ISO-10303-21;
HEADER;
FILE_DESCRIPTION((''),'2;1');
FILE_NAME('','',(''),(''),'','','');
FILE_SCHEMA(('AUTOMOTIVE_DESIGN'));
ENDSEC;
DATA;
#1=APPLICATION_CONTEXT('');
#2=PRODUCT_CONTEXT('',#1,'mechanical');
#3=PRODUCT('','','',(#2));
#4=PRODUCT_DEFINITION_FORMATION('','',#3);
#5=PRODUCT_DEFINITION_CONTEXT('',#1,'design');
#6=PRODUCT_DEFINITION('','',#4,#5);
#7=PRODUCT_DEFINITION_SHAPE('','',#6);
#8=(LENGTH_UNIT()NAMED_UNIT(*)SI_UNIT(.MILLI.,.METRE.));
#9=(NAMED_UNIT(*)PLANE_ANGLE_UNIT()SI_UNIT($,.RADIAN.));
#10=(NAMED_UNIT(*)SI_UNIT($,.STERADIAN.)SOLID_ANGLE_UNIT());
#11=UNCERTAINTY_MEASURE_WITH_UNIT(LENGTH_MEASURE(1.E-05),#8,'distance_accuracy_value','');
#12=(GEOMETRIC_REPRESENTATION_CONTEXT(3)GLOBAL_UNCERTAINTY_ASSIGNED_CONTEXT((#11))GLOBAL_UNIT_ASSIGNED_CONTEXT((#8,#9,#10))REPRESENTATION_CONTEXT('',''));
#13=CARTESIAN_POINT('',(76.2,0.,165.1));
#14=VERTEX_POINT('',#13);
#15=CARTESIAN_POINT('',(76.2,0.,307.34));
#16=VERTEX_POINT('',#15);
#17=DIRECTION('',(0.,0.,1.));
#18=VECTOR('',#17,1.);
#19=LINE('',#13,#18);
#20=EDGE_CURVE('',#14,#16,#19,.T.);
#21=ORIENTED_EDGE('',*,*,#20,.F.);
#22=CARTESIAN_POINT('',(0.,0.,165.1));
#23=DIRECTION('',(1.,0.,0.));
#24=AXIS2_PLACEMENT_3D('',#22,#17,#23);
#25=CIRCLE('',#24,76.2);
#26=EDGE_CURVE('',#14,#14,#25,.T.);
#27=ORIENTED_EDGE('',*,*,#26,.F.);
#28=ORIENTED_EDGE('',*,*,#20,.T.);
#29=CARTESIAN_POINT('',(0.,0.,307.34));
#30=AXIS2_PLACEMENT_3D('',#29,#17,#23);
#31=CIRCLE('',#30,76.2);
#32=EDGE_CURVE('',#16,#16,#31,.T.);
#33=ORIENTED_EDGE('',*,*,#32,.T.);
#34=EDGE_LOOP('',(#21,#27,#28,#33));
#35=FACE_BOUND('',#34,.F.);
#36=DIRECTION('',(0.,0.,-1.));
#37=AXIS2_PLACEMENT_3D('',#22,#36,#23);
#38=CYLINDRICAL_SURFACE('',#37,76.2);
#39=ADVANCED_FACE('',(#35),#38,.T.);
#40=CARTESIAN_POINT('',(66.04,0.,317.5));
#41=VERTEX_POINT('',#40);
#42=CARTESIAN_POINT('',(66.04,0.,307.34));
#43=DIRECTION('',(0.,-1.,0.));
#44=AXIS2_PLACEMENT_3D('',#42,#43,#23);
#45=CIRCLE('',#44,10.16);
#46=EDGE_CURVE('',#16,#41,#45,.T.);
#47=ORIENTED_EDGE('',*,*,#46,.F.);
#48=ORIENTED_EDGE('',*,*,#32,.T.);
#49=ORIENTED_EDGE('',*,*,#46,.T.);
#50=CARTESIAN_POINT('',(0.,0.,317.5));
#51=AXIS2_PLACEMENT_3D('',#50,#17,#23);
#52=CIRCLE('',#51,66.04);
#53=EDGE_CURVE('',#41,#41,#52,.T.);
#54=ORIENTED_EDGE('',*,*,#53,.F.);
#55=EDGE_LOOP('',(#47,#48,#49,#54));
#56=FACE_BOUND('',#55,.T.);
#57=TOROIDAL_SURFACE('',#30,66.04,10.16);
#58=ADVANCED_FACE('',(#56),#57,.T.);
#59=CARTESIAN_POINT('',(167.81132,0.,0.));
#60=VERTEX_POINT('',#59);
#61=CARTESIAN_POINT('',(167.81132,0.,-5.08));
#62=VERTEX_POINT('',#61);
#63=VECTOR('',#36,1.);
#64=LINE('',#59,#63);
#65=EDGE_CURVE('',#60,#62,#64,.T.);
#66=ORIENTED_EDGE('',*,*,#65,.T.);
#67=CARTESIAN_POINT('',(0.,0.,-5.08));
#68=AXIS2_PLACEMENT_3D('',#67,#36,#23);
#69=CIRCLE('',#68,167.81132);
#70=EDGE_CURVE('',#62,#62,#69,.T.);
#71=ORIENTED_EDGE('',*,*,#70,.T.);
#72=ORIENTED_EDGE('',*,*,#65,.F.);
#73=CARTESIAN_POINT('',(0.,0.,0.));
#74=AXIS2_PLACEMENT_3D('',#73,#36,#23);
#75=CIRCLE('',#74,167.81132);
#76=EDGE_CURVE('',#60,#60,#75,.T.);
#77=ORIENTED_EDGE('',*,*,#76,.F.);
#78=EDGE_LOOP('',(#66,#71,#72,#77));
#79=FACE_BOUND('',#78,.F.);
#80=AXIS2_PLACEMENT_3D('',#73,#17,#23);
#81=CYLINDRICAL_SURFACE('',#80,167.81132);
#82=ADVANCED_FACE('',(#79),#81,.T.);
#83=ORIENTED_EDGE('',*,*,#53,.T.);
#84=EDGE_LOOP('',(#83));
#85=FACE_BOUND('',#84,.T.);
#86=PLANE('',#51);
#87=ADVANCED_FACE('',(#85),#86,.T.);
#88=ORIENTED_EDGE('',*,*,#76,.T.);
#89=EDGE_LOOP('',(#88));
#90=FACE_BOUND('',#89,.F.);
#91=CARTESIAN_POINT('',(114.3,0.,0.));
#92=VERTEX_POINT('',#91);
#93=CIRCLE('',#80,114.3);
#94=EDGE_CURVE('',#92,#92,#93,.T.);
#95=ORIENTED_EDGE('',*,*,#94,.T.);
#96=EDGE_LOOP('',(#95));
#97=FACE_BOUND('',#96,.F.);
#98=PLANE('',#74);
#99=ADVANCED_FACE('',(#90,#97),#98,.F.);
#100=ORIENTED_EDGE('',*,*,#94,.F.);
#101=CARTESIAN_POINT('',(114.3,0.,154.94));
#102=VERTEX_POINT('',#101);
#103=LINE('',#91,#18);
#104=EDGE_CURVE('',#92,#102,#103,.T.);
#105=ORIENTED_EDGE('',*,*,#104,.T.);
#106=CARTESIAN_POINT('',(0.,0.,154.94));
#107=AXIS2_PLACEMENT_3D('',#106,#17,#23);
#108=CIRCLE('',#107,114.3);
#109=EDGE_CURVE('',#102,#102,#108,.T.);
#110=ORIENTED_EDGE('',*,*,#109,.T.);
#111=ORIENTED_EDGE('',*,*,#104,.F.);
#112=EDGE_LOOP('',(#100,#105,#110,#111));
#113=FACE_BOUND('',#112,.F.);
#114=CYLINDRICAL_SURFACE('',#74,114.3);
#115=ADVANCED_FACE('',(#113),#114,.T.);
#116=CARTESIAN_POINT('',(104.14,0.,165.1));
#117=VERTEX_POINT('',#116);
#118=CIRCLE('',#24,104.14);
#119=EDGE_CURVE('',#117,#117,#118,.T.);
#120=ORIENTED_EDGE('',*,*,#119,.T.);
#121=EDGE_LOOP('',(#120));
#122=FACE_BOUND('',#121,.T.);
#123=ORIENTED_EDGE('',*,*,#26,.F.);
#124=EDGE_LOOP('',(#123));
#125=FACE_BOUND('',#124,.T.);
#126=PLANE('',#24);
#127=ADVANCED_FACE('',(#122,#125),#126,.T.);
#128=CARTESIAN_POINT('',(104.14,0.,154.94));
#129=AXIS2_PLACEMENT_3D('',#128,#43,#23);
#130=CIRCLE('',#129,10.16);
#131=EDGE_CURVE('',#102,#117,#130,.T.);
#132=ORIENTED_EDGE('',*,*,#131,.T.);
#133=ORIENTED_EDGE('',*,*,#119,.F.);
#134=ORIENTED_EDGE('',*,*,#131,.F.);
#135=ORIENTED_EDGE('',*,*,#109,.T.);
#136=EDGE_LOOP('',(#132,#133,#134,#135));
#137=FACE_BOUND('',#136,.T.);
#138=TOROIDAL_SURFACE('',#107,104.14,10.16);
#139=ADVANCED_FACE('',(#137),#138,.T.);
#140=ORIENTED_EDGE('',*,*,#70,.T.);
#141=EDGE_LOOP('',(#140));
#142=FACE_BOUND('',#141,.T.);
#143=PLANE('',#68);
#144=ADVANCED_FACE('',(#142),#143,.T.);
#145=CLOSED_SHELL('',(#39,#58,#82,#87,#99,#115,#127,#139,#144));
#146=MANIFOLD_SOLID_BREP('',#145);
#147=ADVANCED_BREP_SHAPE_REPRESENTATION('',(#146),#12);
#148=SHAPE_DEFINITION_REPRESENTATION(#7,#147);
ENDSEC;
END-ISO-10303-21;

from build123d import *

# Parameters (mm, degrees)
F0_R     = 114.3
F1_DEPTH = 165.1
F2_R     = 76.2
F3_DEPTH = 152.4
F4_R     = 10.16
F5_R     = 167.81132
F6_DEPTH = 5.08


with BuildPart() as f1:
    # F0 (on Top) → F1 (new body)
    with BuildSketch(Plane.XY):
        Circle(F0_R)
    extrude(amount=F1_DEPTH)

    # F2 (on face) → F3 (join)
    with BuildSketch(Plane.XY.offset(165.1)):
        Circle(F2_R)
    extrude(amount=F3_DEPTH)

    # F4
    f4_edges = [f1.edges().sort_by_distance(p)[0] for p in [
        (-114.3, 0, 165.1),
        (-76.2, 0, 317.5),
    ]]
    fillet(f4_edges, radius=F4_R)

    # F5 (on face) → F6 (join)
    with BuildSketch(Plane(origin=(0, 0, 0), x_dir=(1, 0, 0), z_dir=(0, 0, -1))):
        Circle(F5_R)
    extrude(amount=F6_DEPTH)


solid = f1.part
